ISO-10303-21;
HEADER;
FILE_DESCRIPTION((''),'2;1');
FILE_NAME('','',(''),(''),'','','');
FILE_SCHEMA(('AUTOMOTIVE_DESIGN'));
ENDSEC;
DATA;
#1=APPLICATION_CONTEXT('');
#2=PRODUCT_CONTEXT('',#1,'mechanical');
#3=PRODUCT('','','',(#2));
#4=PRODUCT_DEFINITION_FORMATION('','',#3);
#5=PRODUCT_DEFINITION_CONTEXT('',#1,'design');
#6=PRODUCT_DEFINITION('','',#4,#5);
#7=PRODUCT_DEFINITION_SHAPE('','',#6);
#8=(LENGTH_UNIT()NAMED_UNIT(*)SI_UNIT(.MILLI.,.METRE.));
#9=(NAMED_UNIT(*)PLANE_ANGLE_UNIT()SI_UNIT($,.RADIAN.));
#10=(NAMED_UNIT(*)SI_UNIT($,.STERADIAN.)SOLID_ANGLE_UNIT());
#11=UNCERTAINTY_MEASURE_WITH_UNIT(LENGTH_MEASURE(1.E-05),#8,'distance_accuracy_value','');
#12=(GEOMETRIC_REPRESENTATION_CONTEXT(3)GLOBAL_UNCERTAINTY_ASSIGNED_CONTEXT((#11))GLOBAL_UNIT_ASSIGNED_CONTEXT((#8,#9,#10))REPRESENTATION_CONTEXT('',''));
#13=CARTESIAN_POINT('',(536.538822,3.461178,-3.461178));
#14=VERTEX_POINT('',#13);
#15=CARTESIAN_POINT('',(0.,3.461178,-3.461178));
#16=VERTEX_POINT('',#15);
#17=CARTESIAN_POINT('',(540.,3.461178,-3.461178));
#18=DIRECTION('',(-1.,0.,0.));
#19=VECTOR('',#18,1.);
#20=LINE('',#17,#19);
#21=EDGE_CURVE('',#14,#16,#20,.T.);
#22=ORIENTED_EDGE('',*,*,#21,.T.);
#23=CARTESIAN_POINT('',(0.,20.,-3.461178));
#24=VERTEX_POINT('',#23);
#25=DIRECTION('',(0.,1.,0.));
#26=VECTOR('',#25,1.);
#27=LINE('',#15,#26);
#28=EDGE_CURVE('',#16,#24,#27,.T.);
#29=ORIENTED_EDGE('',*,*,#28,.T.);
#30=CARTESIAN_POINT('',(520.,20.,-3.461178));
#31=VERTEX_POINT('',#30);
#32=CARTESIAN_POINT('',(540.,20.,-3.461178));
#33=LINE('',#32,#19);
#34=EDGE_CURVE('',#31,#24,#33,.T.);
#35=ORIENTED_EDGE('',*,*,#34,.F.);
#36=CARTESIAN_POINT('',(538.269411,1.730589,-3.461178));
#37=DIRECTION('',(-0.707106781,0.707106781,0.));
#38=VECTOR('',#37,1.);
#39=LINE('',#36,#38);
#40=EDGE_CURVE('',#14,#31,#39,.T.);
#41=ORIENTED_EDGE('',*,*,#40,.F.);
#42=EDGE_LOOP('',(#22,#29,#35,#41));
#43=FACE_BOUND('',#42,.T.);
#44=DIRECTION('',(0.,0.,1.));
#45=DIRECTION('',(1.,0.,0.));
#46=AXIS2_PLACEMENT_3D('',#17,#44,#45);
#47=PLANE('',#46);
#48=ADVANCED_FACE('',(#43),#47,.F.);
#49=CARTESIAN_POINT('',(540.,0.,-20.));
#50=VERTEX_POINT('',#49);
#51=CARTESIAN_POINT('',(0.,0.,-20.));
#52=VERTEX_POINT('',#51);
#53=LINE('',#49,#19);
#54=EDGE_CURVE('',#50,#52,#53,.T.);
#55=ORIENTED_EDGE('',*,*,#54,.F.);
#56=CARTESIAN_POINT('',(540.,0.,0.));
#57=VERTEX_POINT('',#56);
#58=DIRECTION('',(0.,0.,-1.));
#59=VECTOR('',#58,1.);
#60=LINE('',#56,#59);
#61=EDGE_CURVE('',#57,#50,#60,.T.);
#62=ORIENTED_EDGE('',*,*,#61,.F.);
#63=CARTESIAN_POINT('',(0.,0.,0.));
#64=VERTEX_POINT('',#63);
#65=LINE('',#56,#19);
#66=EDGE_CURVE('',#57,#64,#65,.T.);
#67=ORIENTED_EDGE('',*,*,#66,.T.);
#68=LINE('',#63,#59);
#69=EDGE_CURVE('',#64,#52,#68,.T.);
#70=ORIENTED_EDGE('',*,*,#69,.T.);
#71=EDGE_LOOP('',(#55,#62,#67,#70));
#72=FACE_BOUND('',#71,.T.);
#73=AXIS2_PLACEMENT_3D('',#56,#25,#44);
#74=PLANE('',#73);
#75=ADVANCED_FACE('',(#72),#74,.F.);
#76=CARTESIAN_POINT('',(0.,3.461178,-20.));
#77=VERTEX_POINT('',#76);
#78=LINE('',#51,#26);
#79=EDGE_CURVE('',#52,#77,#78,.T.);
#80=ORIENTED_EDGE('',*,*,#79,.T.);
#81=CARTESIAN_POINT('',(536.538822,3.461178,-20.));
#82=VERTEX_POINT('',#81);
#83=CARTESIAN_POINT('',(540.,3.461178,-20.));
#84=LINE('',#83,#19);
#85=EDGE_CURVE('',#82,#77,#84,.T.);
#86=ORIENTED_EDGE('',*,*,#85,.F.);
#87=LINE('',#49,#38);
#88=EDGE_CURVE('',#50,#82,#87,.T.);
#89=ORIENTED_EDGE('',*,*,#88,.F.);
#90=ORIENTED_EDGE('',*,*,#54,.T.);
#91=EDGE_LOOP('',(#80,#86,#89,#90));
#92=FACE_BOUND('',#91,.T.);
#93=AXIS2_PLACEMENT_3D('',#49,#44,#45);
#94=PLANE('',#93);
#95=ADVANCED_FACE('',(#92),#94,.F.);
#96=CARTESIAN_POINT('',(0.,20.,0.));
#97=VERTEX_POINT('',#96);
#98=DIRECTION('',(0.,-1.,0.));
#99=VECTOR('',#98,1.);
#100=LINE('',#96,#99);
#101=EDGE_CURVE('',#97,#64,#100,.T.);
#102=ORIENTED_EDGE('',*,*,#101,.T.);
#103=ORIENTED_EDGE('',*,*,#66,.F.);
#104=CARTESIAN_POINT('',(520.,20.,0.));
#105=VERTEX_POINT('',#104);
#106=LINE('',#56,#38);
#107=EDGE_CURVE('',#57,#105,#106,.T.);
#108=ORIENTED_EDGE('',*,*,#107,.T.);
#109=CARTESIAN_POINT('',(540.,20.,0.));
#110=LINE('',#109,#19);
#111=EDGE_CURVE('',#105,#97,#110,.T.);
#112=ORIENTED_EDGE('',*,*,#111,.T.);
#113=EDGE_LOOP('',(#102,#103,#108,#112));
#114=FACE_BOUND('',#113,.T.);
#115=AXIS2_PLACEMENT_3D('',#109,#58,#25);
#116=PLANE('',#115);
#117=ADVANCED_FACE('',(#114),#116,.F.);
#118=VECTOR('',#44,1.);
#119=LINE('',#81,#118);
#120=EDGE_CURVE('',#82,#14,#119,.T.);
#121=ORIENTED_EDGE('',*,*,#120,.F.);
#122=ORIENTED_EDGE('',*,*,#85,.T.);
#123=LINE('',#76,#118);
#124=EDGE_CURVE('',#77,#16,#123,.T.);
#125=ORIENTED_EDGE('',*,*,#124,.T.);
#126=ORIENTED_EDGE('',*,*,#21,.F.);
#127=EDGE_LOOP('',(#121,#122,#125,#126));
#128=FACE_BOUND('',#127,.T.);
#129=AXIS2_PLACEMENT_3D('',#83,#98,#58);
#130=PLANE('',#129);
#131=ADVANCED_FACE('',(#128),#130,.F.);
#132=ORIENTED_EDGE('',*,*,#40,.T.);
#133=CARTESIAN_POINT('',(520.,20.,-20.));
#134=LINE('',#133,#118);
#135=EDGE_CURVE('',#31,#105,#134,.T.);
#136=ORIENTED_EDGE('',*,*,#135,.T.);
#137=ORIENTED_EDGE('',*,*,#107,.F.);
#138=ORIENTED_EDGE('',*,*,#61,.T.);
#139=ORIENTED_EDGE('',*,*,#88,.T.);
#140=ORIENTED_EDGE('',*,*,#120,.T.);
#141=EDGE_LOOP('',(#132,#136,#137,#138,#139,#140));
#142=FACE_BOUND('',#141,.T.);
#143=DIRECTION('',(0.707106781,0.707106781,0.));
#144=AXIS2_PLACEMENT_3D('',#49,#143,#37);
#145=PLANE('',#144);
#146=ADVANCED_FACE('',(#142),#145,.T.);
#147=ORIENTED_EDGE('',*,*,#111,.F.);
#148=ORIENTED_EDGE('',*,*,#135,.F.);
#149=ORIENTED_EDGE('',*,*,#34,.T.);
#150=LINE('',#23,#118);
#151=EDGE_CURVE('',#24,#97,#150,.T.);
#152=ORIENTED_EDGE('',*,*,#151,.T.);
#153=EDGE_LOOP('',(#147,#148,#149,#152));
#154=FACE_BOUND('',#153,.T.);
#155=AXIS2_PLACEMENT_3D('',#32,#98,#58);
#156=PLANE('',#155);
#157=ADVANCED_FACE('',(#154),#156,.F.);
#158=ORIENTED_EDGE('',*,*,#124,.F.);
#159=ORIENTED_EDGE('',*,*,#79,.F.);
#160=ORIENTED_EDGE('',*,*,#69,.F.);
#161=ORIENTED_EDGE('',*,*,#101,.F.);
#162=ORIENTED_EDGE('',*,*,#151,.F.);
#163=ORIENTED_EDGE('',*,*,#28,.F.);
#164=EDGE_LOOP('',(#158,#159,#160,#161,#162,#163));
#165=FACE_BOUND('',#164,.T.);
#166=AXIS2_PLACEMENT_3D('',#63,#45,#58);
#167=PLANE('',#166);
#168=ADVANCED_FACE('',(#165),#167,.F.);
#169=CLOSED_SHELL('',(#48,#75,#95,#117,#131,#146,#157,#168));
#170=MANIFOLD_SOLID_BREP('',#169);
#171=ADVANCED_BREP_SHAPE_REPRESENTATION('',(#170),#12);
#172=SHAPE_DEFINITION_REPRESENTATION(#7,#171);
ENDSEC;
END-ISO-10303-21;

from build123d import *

# Parameters (mm, degrees)
BOSS_EXTRUDE1_DEPTH = 540
CUT_EXTRUDE1_DEPTH  = 541.740233384


with BuildPart() as part:
    # Sketch1 → Boss-Extrude1 (new body)
    with BuildSketch(Plane(origin=(0, 0, 0), x_dir=(0, 0, -1), z_dir=(1, 0, 0))):
        Polygon((0, 0), (20, 0), (20, 3.461178467), (3.461178467, 3.461178467), (3.461178467, 20), (0, 20), align=None)
    extrude(amount=BOSS_EXTRUDE1_DEPTH)

    # Sketch2 → Cut-Extrude1 (cut, through all)
    with BuildSketch(Plane(origin=(0, 0, 0), x_dir=(1, 0, 0), z_dir=(0, 0, -1))):
        Polygon((540, 0), (520, -20), (540, -20), align=None)
    extrude(amount=CUT_EXTRUDE1_DEPTH, mode=Mode.SUBTRACT)


solid = part.part
